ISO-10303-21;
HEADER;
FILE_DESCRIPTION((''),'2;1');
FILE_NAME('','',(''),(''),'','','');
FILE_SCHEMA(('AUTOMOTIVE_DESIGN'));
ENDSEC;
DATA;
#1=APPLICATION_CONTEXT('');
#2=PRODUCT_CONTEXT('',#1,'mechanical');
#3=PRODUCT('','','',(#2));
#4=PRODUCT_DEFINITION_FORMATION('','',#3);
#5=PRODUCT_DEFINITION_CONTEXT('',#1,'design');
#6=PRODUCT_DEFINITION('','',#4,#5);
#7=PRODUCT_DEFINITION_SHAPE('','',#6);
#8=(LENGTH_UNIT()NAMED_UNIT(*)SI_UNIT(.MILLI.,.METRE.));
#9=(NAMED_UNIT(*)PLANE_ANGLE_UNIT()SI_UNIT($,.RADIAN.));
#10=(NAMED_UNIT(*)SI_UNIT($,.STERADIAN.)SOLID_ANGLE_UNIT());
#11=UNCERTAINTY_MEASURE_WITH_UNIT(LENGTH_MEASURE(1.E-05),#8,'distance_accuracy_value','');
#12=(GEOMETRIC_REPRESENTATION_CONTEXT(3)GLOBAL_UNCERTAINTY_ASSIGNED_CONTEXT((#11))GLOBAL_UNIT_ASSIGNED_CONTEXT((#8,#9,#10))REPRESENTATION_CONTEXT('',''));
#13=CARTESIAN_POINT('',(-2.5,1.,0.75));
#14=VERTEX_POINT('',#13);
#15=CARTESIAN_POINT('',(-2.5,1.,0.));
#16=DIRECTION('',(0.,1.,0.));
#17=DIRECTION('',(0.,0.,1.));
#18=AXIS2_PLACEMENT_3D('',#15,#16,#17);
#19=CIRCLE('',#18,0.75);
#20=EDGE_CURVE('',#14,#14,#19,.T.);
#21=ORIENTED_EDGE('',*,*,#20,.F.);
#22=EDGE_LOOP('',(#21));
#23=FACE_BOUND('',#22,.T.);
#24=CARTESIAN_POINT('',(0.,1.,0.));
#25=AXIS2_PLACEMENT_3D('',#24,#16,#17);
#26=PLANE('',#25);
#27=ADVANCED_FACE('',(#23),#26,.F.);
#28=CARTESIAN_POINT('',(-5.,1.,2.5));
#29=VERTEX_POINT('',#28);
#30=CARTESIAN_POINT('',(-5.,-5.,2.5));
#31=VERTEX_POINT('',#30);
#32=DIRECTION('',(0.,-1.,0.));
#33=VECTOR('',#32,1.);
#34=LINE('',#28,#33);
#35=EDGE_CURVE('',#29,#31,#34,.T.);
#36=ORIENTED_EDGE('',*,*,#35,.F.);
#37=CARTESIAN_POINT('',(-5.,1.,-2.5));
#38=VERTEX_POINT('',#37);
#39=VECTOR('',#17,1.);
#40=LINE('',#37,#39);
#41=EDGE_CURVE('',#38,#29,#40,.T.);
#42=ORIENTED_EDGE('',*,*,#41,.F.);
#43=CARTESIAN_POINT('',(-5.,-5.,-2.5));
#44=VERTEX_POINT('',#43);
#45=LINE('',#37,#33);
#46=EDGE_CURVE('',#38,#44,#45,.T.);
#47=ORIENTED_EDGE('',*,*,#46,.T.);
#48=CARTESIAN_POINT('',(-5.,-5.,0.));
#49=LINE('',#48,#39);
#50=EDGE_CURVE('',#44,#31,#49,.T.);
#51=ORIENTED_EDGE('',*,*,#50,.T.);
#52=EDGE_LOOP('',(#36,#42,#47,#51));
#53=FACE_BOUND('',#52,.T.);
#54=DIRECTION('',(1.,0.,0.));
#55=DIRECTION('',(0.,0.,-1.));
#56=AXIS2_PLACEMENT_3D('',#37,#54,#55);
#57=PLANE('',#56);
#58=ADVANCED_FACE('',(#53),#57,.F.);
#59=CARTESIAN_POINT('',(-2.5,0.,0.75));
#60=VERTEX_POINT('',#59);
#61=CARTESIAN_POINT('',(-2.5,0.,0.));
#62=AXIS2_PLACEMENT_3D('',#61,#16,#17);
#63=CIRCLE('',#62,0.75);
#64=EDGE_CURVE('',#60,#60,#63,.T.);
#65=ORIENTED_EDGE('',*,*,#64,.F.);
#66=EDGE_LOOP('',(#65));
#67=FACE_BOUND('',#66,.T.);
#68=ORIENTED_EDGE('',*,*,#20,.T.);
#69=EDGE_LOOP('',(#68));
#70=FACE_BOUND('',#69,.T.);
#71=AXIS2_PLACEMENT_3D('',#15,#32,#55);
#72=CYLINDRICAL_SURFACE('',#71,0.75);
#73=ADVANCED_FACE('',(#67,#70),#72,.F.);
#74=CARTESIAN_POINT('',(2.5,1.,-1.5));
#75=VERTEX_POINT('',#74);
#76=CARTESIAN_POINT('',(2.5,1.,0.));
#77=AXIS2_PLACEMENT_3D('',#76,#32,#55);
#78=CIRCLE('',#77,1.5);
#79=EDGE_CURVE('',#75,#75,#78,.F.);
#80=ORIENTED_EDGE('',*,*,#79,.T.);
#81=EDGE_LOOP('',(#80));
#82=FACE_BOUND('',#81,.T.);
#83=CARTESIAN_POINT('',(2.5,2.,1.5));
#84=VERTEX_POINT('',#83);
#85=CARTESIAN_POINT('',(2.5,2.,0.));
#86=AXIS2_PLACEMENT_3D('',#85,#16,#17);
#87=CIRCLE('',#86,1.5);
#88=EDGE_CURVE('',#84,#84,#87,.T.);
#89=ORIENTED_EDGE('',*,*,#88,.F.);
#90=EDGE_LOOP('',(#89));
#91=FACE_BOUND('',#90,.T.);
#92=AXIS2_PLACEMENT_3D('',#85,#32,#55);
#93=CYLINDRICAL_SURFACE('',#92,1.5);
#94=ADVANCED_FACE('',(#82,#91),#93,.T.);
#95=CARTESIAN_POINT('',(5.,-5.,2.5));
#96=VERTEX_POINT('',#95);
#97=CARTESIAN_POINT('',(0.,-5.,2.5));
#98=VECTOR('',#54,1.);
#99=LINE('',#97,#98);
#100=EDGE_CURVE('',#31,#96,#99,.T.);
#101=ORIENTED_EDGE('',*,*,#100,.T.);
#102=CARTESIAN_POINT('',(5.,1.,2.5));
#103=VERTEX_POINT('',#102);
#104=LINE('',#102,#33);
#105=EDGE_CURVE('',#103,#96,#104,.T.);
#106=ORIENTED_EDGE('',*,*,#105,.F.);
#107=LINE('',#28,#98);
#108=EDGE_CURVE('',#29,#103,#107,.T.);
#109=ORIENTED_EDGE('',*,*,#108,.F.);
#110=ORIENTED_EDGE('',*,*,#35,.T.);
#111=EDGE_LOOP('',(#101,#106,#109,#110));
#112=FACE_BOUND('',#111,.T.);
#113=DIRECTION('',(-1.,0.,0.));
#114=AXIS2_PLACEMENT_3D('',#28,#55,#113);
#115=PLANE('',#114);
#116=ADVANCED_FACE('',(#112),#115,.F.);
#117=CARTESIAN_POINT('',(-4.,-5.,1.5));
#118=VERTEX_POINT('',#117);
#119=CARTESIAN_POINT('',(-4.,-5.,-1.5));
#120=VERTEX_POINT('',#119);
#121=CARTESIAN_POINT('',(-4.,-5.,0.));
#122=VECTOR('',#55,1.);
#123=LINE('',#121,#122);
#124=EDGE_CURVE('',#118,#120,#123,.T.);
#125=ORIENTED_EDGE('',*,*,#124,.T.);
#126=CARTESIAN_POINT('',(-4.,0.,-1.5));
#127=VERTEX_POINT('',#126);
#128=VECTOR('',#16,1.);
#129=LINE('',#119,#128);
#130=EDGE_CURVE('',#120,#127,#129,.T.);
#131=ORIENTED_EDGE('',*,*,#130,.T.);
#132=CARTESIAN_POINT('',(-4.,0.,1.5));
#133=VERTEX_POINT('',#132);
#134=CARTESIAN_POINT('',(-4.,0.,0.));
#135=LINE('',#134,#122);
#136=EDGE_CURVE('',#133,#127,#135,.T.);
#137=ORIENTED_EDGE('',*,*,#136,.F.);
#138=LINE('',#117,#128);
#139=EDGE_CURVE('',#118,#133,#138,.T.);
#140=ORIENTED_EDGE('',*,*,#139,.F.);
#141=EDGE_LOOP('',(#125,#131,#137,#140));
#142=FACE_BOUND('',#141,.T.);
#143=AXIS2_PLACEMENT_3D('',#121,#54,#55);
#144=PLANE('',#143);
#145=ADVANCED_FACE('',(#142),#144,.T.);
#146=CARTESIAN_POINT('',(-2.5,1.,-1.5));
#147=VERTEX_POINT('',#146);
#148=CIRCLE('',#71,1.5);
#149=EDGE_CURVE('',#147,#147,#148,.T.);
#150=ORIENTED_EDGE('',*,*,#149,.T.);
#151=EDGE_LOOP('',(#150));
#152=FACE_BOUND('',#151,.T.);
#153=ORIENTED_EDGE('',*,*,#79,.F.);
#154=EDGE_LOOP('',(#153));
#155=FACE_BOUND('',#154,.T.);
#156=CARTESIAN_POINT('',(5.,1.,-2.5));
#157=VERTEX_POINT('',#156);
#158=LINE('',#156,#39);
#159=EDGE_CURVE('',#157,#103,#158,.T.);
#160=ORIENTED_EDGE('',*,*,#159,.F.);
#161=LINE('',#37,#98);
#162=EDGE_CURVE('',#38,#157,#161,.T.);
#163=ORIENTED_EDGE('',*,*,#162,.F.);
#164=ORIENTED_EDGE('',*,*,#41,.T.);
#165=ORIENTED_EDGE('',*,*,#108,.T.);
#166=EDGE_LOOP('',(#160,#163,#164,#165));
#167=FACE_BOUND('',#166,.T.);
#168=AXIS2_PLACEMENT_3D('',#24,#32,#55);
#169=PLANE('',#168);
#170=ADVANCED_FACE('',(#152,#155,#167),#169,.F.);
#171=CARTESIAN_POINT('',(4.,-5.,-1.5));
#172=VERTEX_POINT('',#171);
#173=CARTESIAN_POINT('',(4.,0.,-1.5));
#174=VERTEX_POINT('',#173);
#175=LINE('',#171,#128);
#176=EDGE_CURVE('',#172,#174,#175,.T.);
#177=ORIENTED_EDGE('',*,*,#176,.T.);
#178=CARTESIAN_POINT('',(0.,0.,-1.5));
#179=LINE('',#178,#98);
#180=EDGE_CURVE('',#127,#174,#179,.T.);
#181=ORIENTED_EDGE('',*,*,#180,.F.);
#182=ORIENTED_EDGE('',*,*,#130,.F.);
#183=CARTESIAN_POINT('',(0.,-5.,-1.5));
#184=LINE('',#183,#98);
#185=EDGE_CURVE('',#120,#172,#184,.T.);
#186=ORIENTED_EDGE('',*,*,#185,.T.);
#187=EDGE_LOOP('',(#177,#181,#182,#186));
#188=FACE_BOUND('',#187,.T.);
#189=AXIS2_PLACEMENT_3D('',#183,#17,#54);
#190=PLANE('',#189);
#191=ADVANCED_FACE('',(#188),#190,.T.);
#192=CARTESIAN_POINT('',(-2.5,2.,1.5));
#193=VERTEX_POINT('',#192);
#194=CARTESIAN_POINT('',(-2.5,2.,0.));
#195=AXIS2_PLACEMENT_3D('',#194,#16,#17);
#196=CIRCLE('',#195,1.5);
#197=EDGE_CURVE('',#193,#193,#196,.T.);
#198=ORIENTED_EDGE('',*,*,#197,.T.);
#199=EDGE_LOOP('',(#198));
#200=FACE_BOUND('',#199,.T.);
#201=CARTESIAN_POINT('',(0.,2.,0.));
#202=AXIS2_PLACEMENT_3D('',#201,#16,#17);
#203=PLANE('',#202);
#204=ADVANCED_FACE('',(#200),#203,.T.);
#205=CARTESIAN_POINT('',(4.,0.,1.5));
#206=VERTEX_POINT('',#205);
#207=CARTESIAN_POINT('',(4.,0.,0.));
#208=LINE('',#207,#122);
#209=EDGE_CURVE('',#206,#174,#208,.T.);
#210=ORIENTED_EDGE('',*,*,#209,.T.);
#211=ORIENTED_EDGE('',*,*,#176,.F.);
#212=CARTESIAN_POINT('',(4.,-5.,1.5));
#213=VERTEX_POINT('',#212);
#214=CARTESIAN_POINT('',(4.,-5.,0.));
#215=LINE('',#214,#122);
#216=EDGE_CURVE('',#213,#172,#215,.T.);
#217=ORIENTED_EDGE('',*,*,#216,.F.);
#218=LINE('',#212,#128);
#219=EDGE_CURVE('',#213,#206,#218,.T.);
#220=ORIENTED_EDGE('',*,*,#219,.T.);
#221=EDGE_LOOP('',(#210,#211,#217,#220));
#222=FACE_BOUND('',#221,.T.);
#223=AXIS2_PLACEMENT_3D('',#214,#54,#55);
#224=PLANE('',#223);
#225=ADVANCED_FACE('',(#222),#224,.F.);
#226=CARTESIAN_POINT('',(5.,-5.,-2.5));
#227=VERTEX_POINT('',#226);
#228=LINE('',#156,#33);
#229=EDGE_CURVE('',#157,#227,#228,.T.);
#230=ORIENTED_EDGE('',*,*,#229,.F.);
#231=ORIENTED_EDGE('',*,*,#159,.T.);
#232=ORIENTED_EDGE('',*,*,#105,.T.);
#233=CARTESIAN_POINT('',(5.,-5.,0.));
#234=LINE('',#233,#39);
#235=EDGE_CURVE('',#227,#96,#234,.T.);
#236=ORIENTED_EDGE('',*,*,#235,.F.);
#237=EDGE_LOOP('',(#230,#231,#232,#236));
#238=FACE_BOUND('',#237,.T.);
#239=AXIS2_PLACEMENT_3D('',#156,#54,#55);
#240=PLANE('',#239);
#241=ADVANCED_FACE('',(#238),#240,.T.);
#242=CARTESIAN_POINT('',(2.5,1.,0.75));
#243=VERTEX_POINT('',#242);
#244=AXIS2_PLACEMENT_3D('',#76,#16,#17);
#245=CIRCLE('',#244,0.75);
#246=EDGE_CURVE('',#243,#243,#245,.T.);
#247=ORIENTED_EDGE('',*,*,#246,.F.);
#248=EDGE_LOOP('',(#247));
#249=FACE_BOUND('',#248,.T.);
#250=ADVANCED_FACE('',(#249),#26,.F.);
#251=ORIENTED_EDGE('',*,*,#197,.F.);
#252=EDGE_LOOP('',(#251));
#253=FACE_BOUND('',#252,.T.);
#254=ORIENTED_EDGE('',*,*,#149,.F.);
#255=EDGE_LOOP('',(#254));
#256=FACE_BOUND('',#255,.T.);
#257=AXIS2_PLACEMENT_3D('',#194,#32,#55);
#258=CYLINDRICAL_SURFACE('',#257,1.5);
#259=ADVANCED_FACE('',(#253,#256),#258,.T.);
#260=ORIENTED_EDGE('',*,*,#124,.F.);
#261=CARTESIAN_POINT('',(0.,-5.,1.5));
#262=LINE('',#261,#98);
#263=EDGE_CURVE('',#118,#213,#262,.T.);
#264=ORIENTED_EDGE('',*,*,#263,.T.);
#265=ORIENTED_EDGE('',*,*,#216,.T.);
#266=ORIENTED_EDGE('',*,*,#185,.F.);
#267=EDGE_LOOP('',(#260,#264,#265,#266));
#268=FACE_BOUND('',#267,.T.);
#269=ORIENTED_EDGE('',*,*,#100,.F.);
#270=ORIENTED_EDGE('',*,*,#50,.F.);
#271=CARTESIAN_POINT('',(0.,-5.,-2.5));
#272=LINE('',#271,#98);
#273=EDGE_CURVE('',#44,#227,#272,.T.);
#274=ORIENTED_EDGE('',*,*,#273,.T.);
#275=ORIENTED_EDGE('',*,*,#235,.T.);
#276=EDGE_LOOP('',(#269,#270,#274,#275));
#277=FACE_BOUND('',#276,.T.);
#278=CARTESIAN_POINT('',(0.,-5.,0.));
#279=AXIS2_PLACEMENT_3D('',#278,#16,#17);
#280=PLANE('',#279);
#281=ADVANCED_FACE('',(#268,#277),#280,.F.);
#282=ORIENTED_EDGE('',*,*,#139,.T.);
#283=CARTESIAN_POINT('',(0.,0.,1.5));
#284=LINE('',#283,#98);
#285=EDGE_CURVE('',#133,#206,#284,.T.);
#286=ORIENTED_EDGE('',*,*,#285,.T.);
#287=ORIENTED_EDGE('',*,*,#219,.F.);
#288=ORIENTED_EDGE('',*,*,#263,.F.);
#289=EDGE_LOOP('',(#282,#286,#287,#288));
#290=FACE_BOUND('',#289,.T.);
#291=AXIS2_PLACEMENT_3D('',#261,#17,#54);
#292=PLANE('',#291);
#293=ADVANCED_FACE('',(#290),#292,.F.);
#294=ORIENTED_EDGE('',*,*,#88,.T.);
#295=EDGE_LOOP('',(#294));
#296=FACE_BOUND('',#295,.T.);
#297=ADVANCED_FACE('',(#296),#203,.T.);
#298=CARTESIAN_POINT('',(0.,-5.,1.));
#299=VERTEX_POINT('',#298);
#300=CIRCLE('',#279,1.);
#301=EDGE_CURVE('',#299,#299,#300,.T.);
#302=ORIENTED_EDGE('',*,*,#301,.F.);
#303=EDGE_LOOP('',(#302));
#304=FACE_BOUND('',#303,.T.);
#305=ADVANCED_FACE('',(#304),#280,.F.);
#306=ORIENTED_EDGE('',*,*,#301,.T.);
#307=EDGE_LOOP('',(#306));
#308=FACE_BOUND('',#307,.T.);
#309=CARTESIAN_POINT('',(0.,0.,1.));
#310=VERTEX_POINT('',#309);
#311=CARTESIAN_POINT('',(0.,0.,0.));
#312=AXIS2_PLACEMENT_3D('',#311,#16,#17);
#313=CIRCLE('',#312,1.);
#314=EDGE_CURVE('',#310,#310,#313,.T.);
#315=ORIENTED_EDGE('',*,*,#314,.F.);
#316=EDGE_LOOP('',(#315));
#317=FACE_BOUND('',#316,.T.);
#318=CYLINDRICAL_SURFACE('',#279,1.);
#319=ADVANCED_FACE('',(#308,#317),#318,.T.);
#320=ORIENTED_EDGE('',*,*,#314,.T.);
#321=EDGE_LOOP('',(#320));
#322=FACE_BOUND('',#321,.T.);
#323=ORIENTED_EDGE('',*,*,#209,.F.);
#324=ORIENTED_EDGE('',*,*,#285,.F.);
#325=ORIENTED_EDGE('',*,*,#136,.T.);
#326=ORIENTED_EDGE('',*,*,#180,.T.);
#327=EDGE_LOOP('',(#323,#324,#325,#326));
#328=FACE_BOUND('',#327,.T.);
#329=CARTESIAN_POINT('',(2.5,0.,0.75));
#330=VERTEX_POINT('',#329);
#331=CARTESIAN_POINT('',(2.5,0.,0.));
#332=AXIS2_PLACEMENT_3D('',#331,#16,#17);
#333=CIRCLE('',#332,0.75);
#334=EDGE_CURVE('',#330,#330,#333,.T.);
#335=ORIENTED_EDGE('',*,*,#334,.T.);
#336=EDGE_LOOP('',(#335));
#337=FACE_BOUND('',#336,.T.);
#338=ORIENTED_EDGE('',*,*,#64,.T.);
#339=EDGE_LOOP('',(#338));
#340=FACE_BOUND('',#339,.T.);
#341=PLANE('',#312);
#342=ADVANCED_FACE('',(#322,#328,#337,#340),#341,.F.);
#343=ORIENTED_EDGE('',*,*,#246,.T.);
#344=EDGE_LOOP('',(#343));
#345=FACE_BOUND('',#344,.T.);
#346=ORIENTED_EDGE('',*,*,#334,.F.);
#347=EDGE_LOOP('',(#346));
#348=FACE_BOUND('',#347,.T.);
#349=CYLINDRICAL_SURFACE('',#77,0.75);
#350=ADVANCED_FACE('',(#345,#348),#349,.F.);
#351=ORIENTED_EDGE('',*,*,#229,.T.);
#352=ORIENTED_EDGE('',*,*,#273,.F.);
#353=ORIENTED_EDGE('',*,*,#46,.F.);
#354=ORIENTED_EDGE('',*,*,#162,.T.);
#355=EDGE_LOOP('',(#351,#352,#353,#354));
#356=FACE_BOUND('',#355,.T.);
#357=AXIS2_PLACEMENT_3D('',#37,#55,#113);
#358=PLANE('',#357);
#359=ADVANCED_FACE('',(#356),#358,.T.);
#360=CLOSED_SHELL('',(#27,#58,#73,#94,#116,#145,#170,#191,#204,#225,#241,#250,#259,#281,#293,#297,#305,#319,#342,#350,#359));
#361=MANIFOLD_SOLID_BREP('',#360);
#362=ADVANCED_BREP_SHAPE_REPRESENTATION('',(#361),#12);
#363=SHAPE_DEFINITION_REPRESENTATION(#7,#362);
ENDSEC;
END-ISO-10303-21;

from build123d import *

# Parameters (mm, degrees)
SKETCH1_R             = 1.5
BOSS_EXTRUDE1_DEPTH   = 2
BOSS_EXTRUDE1_2_DEPTH = 2
SKETCH1_3_W           = 10
SKETCH1_3_H           = 5
BOSS_EXTRUDE2_DEPTH   = 1
SKETCH1_4_R           = 0.75
CUT_EXTRUDE1_DEPTH    = 1
SKETCH1_5_W           = 10
SKETCH1_5_H           = 5
SKETCH1_5_W_2         = 8
SKETCH1_5_H_2         = 3
SKETCH1_5_R           = 1
BOSS_EXTRUDE3_DEPTH   = 5


with BuildPart() as part:
    # Sketch1 → Boss-Extrude1 (new body)
    with BuildSketch(Plane(origin=(0, 0, 0), x_dir=(1, 0, 0), z_dir=(0, 1, 0))):
        with Locations((-2.5, 0)):
            Circle(SKETCH1_R)
    extrude(amount=BOSS_EXTRUDE1_DEPTH)



with BuildPart() as body_2:
    # Sketch1 → Boss-Extrude1 2 (new body)
    with BuildSketch(Plane(origin=(0, 0, 0), x_dir=(1, 0, 0), z_dir=(0, 1, 0))):
        with Locations((2.5, 0)):
            Circle(SKETCH1_R)
    extrude(amount=BOSS_EXTRUDE1_2_DEPTH)


with BuildPart() as part_1:
    add(part.part)

    add(body_2.part)  # Boss-Extrude2 merges body 2
    # Sketch1<3> → Boss-Extrude2 (add)
    with BuildSketch(Plane(origin=(0, 0, 0), x_dir=(1, 0, 0), z_dir=(0, 1, 0))):
        Rectangle(SKETCH1_3_W, SKETCH1_3_H)
    extrude(amount=BOSS_EXTRUDE2_DEPTH)

    # Sketch1<4> → Cut-Extrude1 (cut)
    with BuildSketch(Plane(origin=(0, 0, 0), x_dir=(1, 0, 0), z_dir=(0, 1, 0))):
        with Locations((-2.5, 0)):
            Circle(SKETCH1_4_R)
        with Locations((2.5, 0)):
            Circle(SKETCH1_4_R)
    extrude(amount=CUT_EXTRUDE1_DEPTH, mode=Mode.SUBTRACT)

    # Sketch1<5> → Boss-Extrude3 (add)
    # profile 1 of 2: a face of its own
    with BuildSketch(Plane(origin=(0, 0, 0), x_dir=(1, 0, 0), z_dir=(0, 1, 0))):
        Rectangle(SKETCH1_5_W, SKETCH1_5_H)
        Rectangle(SKETCH1_5_W_2, SKETCH1_5_H_2, mode=Mode.SUBTRACT)
    # profile 2 of 2: a face of its own
    with BuildSketch(Plane(origin=(0, 0, 0), x_dir=(1, 0, 0), z_dir=(0, 1, 0))):
        Circle(SKETCH1_5_R)
    extrude(amount=-BOSS_EXTRUDE3_DEPTH)


solid = part_1.part
